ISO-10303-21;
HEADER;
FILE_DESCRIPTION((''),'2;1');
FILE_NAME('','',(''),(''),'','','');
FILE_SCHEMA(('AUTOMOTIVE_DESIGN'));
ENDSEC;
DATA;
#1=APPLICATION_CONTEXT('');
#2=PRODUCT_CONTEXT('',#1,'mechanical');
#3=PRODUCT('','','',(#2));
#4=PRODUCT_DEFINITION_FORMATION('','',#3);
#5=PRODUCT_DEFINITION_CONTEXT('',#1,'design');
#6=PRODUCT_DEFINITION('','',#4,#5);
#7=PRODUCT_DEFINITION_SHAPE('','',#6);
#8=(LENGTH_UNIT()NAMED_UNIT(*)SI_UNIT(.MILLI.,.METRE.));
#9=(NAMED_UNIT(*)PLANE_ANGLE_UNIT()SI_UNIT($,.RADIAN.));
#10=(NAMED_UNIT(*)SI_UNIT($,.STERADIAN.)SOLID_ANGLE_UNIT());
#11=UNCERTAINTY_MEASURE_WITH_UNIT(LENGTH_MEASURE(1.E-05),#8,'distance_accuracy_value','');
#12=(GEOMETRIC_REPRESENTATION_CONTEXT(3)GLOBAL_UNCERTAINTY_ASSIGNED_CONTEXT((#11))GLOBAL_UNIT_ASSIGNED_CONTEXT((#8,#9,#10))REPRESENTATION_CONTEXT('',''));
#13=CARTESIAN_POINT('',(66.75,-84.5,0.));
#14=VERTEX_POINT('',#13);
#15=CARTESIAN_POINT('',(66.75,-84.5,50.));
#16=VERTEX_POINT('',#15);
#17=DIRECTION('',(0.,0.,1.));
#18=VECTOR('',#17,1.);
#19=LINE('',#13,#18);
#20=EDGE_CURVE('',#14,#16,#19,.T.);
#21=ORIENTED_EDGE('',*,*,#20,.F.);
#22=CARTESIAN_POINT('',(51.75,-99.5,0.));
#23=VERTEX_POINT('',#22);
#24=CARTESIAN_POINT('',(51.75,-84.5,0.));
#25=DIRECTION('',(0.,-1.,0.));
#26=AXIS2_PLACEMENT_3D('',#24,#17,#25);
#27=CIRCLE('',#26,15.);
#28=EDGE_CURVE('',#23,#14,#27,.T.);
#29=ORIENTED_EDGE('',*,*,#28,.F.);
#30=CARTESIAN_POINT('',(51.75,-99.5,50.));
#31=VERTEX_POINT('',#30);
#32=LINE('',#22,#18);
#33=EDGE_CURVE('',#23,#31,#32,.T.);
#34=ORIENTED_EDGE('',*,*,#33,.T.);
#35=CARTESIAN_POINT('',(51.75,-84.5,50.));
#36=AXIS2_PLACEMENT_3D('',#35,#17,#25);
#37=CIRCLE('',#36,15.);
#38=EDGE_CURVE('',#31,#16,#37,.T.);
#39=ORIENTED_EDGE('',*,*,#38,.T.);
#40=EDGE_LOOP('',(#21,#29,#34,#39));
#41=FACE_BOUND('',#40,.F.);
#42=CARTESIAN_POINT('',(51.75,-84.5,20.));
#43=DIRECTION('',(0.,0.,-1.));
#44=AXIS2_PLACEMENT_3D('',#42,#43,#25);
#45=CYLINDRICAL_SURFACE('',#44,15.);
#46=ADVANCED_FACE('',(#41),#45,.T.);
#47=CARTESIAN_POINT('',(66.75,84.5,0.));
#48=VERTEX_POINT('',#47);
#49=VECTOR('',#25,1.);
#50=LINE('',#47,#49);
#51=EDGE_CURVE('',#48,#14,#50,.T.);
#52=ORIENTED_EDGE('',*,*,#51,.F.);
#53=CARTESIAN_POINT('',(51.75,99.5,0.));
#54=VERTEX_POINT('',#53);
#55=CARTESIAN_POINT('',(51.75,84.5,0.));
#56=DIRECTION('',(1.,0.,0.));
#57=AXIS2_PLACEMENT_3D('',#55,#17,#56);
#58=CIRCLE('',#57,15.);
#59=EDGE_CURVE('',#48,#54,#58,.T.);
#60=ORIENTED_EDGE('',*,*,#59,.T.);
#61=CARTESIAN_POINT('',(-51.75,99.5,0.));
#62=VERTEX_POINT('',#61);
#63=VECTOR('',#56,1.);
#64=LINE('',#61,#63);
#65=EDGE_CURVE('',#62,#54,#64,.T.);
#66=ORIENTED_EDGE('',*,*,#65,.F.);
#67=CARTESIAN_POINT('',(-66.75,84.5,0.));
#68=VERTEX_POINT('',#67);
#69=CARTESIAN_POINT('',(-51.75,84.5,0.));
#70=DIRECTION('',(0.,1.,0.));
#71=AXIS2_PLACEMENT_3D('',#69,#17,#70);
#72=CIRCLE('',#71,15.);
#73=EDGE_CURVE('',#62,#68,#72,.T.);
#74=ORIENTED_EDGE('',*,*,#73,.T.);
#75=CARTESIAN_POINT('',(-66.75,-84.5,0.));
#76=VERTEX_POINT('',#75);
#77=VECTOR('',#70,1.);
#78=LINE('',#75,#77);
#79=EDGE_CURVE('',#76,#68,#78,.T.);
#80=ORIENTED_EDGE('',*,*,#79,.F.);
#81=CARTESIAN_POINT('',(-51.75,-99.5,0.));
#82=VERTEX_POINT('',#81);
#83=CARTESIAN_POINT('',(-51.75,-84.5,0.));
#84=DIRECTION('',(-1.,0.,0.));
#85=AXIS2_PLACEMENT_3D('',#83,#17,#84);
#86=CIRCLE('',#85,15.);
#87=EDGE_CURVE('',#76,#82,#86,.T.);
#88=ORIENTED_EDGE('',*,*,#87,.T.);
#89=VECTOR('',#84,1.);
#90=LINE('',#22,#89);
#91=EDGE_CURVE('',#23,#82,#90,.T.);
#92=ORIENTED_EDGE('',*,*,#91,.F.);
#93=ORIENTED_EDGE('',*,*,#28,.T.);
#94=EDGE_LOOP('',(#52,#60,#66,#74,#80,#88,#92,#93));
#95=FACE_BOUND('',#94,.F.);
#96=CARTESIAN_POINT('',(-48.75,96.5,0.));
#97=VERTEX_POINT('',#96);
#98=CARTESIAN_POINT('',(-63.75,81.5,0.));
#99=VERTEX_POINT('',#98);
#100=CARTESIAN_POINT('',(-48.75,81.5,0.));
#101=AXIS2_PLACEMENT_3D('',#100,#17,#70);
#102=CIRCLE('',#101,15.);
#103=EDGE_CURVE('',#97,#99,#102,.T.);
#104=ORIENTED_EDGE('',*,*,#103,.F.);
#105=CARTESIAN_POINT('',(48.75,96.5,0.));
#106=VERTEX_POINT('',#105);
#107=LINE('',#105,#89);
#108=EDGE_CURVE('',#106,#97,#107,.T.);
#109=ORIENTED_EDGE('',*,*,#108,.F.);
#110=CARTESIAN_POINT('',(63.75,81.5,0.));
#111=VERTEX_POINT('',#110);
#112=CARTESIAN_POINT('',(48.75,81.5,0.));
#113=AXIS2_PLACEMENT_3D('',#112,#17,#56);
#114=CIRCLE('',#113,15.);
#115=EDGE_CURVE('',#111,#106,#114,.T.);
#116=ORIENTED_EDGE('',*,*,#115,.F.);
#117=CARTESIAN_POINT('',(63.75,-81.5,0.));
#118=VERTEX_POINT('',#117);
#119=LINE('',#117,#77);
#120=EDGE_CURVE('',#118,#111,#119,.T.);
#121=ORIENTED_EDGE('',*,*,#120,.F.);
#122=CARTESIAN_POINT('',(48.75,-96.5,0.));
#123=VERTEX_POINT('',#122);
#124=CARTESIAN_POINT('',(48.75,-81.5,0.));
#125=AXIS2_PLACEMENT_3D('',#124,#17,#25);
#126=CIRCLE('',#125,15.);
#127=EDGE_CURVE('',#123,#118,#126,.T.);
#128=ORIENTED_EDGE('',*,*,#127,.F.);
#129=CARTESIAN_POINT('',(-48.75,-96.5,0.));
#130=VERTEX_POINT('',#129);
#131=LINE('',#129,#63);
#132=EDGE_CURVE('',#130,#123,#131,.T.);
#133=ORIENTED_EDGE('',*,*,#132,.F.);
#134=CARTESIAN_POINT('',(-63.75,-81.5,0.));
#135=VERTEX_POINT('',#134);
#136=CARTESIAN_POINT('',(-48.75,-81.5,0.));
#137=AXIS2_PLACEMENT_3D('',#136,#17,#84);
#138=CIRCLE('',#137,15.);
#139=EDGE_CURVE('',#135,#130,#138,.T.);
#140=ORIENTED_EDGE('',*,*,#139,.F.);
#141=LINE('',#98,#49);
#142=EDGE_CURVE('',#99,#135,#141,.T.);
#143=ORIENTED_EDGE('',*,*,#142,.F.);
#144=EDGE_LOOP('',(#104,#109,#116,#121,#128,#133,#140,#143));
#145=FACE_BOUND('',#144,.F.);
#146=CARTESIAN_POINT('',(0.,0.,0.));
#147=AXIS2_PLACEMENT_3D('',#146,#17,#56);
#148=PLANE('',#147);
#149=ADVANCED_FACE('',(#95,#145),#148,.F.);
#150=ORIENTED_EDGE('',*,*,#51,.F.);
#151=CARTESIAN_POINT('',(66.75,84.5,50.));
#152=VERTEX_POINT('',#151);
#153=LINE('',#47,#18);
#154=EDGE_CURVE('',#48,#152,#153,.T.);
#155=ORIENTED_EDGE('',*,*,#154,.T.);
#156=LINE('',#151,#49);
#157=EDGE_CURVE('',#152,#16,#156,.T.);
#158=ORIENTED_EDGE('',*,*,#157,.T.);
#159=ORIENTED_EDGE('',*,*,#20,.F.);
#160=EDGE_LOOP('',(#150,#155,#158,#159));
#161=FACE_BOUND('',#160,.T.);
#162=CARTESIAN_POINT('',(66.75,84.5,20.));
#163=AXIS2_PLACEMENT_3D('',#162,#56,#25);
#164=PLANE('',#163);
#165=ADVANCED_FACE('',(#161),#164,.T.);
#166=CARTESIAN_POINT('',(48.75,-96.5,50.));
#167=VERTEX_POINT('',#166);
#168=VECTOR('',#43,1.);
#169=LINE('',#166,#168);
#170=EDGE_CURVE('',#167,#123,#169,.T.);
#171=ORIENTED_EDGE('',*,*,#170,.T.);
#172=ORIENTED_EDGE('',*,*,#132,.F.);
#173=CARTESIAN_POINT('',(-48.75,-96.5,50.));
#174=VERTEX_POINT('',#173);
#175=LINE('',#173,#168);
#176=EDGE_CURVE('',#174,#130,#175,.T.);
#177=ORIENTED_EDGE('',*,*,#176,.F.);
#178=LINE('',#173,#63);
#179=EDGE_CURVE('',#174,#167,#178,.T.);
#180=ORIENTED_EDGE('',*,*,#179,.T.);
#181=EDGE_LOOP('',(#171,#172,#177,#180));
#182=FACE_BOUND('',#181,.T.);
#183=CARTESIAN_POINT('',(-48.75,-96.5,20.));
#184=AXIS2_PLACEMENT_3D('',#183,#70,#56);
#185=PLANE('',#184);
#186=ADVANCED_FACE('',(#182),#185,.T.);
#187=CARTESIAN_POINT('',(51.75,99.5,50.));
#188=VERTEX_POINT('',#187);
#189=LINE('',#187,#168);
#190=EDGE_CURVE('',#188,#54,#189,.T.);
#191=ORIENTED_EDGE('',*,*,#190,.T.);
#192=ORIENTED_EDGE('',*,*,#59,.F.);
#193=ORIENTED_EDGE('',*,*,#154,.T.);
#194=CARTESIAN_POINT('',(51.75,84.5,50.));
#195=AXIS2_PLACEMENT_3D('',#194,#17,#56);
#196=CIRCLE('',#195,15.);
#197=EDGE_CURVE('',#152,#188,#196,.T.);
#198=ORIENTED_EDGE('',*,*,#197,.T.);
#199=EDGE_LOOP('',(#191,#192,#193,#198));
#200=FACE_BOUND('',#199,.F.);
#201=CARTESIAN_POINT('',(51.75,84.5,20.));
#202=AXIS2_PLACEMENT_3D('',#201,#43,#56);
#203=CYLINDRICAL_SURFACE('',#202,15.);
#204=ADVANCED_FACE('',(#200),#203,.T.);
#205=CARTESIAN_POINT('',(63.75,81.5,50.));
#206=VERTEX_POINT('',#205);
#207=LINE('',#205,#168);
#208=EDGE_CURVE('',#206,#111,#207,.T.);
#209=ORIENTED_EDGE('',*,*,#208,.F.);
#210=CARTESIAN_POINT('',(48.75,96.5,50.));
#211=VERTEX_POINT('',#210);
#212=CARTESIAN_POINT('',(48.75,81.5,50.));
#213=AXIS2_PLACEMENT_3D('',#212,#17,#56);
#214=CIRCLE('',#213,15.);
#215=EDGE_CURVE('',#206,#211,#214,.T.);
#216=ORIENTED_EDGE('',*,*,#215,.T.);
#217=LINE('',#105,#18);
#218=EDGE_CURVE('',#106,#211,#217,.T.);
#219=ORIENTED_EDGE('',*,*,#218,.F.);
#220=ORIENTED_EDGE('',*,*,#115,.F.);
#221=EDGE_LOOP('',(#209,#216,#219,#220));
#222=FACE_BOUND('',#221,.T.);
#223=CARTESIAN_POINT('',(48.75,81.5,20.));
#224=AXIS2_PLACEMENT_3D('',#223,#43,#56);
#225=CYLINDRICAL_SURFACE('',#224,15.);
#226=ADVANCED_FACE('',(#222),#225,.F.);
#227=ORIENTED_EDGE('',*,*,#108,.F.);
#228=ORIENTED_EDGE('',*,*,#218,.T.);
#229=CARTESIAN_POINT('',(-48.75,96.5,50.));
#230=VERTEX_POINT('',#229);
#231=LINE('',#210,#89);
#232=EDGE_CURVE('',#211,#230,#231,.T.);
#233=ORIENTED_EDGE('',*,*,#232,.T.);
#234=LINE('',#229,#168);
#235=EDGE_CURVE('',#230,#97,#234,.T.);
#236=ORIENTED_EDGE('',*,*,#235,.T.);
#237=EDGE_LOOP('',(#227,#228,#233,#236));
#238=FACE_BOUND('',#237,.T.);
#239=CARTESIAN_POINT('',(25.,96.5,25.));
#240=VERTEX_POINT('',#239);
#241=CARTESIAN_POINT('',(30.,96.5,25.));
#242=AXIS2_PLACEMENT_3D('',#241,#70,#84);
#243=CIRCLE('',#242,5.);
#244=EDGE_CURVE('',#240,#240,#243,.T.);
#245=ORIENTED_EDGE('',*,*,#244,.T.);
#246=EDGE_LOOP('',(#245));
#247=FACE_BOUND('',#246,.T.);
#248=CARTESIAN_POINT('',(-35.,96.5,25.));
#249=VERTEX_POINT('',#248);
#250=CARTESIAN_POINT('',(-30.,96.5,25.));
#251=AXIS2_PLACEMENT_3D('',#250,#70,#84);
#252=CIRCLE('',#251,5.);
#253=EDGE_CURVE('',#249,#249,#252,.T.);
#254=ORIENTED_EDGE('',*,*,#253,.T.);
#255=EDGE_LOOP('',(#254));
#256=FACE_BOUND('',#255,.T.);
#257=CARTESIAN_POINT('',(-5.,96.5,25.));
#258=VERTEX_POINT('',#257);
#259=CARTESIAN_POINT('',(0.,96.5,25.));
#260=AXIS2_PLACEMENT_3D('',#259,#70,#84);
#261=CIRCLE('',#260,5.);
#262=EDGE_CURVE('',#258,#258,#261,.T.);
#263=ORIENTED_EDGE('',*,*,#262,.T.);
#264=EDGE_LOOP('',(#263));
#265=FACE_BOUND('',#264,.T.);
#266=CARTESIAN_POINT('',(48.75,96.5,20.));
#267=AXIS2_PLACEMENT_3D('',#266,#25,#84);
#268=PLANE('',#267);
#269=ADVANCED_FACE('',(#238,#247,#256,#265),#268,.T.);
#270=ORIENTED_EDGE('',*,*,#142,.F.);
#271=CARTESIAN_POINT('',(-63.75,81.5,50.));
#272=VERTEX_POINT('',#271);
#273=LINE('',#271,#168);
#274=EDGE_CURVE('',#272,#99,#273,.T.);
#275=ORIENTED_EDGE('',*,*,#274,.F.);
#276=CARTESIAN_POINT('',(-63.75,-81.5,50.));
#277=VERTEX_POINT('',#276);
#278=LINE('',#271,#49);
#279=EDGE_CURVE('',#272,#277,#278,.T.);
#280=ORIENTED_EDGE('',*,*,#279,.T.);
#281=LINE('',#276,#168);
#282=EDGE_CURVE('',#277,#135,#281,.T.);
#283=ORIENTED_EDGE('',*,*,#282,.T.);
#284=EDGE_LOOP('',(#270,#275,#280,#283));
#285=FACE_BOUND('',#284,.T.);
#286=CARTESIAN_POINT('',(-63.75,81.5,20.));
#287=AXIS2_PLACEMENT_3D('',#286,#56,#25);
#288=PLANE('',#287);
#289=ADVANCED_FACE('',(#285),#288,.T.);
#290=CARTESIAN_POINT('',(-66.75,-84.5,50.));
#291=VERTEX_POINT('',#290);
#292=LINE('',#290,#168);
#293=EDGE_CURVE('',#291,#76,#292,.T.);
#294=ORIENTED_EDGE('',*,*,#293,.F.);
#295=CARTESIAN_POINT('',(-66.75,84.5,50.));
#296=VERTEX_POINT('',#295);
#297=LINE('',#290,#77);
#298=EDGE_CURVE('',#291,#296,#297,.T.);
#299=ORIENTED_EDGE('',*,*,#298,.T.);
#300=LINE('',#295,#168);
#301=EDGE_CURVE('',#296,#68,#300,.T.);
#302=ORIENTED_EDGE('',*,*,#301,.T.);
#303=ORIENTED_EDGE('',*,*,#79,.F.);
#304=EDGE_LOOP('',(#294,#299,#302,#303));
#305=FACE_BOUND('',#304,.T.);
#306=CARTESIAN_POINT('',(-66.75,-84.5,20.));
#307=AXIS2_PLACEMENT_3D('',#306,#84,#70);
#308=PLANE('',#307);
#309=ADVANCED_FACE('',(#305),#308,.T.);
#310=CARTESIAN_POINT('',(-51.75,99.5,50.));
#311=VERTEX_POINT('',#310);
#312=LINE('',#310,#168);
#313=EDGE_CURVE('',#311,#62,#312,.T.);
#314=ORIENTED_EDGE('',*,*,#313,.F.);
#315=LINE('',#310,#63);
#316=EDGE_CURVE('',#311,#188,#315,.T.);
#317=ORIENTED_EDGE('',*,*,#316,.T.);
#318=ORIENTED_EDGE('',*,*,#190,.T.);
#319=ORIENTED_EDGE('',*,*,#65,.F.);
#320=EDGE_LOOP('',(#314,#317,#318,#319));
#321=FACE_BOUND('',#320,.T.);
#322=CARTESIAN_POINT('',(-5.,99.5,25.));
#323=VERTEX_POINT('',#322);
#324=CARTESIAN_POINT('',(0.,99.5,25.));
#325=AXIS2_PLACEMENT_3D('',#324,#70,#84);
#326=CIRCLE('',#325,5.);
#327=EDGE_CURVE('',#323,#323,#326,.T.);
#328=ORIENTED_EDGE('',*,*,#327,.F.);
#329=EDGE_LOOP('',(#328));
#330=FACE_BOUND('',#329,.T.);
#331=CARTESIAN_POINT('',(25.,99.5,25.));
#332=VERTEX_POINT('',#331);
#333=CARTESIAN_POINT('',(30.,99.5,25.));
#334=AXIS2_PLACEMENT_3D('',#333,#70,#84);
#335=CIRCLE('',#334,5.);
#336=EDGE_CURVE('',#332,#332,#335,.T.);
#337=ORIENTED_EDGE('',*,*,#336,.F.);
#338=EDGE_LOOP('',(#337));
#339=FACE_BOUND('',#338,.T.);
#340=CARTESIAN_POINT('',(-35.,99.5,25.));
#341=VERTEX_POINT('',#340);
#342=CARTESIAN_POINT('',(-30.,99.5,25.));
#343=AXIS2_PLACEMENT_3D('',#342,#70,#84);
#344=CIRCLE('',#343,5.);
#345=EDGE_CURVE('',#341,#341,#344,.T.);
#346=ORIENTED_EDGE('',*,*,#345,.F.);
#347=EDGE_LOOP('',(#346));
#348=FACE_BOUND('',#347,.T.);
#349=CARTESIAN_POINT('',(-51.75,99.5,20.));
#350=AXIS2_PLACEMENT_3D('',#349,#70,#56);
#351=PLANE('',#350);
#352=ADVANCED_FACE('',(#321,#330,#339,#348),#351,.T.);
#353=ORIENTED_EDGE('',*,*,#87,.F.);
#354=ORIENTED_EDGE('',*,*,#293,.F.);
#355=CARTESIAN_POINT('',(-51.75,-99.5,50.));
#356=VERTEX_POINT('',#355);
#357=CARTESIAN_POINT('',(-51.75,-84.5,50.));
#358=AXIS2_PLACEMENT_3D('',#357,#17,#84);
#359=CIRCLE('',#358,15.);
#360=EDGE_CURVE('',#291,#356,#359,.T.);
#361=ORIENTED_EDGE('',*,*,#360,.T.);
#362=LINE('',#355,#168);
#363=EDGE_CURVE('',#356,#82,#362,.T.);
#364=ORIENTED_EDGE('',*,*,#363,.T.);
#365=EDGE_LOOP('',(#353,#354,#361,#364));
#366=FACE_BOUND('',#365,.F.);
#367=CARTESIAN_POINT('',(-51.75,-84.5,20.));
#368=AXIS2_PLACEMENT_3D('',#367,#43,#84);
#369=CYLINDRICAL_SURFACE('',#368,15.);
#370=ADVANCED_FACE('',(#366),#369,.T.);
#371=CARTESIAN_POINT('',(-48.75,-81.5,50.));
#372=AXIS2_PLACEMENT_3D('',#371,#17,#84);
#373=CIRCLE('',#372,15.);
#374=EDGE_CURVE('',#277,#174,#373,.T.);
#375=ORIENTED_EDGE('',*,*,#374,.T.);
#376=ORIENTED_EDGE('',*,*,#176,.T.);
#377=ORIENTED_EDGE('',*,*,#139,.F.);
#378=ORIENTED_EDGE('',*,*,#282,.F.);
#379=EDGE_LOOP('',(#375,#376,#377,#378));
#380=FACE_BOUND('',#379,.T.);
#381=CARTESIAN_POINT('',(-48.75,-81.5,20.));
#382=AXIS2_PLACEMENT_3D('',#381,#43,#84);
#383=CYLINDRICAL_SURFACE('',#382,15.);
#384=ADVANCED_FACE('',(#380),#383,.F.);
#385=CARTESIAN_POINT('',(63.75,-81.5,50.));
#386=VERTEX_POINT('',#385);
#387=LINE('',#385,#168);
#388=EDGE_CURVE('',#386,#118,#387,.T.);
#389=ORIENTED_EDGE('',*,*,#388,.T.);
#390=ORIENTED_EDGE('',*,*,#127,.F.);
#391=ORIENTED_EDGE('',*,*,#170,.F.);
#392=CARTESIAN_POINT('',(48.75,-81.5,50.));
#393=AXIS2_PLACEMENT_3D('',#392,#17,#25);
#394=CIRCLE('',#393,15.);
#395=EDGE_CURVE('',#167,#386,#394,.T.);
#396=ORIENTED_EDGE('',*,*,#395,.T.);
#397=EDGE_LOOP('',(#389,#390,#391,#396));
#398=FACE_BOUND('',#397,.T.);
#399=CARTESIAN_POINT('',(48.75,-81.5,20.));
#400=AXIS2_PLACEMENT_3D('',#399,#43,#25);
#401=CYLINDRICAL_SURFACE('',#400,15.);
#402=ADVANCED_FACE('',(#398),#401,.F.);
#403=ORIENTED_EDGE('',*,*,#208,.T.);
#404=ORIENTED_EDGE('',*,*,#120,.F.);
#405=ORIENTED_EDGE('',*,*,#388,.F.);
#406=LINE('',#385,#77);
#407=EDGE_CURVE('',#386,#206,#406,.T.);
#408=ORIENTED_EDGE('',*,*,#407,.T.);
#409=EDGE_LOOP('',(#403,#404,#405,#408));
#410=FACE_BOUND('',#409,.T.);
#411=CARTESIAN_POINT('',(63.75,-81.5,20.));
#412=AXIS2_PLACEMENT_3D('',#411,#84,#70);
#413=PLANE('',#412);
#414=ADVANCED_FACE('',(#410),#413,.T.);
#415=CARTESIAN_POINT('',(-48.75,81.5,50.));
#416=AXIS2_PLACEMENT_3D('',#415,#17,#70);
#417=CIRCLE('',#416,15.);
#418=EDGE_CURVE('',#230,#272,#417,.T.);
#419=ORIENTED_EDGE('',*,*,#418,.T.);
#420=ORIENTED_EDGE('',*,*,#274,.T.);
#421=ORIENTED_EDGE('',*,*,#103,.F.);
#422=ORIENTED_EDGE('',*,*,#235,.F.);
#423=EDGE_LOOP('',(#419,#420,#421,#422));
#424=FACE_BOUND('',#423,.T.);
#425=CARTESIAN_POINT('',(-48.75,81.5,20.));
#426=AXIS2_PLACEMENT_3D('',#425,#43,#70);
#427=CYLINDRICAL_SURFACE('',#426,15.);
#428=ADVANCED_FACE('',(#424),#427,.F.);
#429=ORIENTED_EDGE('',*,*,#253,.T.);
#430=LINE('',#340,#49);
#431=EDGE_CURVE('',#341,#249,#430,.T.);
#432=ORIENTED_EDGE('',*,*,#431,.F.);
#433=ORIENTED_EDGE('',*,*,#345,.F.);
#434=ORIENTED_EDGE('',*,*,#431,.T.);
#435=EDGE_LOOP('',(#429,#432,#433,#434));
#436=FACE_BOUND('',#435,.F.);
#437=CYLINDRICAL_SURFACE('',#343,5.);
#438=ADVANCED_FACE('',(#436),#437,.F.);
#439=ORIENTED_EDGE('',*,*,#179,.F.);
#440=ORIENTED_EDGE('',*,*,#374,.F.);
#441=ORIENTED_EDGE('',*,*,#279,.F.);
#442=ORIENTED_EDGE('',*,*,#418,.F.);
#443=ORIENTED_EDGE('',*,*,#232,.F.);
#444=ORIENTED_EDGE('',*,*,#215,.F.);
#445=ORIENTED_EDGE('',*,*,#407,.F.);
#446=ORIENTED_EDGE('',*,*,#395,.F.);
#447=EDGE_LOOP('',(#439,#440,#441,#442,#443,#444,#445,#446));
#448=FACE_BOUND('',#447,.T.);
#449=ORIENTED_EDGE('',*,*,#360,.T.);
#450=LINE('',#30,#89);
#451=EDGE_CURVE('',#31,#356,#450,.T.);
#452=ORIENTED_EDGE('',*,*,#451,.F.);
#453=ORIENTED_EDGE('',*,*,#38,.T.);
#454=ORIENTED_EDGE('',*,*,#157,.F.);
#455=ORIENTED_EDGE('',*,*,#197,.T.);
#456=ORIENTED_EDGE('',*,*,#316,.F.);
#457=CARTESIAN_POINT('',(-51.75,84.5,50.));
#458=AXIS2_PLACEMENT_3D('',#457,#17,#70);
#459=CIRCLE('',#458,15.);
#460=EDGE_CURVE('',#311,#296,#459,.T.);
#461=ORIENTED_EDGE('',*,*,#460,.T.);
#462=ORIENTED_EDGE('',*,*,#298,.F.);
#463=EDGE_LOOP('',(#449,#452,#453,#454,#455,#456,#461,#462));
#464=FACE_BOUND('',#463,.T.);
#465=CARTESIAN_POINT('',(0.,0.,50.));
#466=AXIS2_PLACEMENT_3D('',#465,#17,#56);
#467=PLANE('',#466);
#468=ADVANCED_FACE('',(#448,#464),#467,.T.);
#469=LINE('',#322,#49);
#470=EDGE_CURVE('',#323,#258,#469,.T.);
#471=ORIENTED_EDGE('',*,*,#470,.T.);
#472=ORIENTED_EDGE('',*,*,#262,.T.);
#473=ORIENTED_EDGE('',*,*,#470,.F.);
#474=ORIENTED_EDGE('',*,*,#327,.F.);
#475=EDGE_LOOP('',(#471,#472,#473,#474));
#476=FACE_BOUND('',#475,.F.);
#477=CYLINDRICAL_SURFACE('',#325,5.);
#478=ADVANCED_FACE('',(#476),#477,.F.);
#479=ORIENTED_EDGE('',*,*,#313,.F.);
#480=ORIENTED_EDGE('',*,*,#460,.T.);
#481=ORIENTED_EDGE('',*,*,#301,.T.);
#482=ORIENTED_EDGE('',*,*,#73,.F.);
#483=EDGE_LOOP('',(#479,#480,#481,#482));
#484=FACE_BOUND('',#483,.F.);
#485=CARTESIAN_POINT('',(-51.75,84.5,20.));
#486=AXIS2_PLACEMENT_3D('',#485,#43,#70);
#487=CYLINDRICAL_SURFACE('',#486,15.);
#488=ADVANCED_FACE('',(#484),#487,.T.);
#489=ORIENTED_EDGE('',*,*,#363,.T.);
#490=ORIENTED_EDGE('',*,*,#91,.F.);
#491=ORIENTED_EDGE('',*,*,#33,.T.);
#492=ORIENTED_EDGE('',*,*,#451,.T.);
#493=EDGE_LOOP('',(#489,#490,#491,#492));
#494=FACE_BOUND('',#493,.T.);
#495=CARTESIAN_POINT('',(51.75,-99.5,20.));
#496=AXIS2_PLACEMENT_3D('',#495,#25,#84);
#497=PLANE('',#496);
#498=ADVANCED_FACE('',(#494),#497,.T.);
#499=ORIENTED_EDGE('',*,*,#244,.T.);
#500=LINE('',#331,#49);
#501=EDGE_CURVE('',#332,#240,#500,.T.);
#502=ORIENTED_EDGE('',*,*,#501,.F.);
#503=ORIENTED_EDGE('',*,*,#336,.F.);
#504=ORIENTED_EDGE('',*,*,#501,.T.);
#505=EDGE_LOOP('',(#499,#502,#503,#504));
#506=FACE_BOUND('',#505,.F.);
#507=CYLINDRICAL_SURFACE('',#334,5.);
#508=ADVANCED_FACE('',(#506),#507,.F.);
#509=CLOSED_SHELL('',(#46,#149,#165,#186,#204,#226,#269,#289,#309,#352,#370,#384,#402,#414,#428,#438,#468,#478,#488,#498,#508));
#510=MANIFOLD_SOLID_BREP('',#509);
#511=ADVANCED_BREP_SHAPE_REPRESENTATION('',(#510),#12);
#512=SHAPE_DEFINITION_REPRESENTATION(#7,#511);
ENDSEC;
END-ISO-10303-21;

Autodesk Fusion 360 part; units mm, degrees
sketch "Sketch1" plane through (0, 0, 0) normal (0, 0, 1) x (1, 0, 0)
  line L0 (51.75, -99.5) -> (-51.75, -99.5)
  line L1 (-66.75, -84.5) -> (-66.75, 84.5)
  line L2 (-51.75, 99.5) -> (51.75, 99.5)
  line L3 (66.75, 84.5) -> (66.75, -84.5)
  line L4 (66.75, -99.5) -> (-66.75, 99.5) construction
  line L5 (-66.75, -99.5) -> (66.75, 99.5) construction
  line L6 (48.75, 96.5) -> (-48.75, 96.5)
  line L7 (-63.75, 81.5) -> (-63.75, -81.5)
  line L8 (-48.75, -96.5) -> (48.75, -96.5)
  line L9 (63.75, -81.5) -> (63.75, 81.5)
  line L10 (63.75, 96.5) -> (-63.75, -96.5) construction
  line L11 (-63.75, 96.5) -> (63.75, -96.5) construction
  arc A0 (-63.75, -81.5) -> (-48.75, -96.5) centre (-48.75, -81.5) ccw
  arc A1 (-66.75, -84.5) -> (-51.75, -99.5) centre (-51.75, -84.5) ccw
  arc A2 (48.75, -96.5) -> (63.75, -81.5) centre (48.75, -81.5) ccw
  arc A3 (51.75, -99.5) -> (66.75, -84.5) centre (51.75, -84.5) ccw
  arc A4 (63.75, 81.5) -> (48.75, 96.5) centre (48.75, 81.5) ccw
  arc A5 (66.75, 84.5) -> (51.75, 99.5) centre (51.75, 84.5) ccw
  arc A6 (-51.75, 99.5) -> (-66.75, 84.5) centre (-51.75, 84.5) ccw
  arc A7 (-48.75, 96.5) -> (-63.75, 81.5) centre (-48.75, 81.5) ccw
  dimension "d1" = 133.5
  dimension "d2" = 199
  dimension "d3" = 127.5
  dimension "d4" = 193
  dimension "d5" = 15
  dimension "d6" = 15
  dimension "d7" = 15
  dimension "d8" = 15
  dimension "d9" = 15
  dimension "d10" = 15
  dimension "d11" = 15
  dimension "d12" = 15
extrude "Extrude1" add sketch "Sketch1" along normal blind 10
extrude "Extrude2" add 1 faces at (65.75, -27.1667, 10) along direction (0, 0, 1) blind 10
extrude "Extrude3" add 1 faces at (65.75, -27.1667, 20) along direction (0, 0, 1) blind 30
sketch "Sketch2" plane through (0, 99.5, 0) normal (0, 1, 0) x (-1, 0, 0)
  line L0 (-51.75, 0) -> (51.75, 0)
  line L1 (51.75, 0) -> (51.75, 50)
  line L2 (51.75, 50) -> (-51.75, 50)
  line L3 (-51.75, 50) -> (-51.75, 0)
  circle A0 centre (0, 25) radius 5
  circle A1 centre (30, 25) radius 5
  circle A2 centre (-30, 25) radius 5
  dimension "d19" = 10
  dimension "d20" = 10
  dimension "d21" = 10
extrude "Extrude4" cut sketch "Sketch2" against normal blind 10 contours A0 | A1 | A2
